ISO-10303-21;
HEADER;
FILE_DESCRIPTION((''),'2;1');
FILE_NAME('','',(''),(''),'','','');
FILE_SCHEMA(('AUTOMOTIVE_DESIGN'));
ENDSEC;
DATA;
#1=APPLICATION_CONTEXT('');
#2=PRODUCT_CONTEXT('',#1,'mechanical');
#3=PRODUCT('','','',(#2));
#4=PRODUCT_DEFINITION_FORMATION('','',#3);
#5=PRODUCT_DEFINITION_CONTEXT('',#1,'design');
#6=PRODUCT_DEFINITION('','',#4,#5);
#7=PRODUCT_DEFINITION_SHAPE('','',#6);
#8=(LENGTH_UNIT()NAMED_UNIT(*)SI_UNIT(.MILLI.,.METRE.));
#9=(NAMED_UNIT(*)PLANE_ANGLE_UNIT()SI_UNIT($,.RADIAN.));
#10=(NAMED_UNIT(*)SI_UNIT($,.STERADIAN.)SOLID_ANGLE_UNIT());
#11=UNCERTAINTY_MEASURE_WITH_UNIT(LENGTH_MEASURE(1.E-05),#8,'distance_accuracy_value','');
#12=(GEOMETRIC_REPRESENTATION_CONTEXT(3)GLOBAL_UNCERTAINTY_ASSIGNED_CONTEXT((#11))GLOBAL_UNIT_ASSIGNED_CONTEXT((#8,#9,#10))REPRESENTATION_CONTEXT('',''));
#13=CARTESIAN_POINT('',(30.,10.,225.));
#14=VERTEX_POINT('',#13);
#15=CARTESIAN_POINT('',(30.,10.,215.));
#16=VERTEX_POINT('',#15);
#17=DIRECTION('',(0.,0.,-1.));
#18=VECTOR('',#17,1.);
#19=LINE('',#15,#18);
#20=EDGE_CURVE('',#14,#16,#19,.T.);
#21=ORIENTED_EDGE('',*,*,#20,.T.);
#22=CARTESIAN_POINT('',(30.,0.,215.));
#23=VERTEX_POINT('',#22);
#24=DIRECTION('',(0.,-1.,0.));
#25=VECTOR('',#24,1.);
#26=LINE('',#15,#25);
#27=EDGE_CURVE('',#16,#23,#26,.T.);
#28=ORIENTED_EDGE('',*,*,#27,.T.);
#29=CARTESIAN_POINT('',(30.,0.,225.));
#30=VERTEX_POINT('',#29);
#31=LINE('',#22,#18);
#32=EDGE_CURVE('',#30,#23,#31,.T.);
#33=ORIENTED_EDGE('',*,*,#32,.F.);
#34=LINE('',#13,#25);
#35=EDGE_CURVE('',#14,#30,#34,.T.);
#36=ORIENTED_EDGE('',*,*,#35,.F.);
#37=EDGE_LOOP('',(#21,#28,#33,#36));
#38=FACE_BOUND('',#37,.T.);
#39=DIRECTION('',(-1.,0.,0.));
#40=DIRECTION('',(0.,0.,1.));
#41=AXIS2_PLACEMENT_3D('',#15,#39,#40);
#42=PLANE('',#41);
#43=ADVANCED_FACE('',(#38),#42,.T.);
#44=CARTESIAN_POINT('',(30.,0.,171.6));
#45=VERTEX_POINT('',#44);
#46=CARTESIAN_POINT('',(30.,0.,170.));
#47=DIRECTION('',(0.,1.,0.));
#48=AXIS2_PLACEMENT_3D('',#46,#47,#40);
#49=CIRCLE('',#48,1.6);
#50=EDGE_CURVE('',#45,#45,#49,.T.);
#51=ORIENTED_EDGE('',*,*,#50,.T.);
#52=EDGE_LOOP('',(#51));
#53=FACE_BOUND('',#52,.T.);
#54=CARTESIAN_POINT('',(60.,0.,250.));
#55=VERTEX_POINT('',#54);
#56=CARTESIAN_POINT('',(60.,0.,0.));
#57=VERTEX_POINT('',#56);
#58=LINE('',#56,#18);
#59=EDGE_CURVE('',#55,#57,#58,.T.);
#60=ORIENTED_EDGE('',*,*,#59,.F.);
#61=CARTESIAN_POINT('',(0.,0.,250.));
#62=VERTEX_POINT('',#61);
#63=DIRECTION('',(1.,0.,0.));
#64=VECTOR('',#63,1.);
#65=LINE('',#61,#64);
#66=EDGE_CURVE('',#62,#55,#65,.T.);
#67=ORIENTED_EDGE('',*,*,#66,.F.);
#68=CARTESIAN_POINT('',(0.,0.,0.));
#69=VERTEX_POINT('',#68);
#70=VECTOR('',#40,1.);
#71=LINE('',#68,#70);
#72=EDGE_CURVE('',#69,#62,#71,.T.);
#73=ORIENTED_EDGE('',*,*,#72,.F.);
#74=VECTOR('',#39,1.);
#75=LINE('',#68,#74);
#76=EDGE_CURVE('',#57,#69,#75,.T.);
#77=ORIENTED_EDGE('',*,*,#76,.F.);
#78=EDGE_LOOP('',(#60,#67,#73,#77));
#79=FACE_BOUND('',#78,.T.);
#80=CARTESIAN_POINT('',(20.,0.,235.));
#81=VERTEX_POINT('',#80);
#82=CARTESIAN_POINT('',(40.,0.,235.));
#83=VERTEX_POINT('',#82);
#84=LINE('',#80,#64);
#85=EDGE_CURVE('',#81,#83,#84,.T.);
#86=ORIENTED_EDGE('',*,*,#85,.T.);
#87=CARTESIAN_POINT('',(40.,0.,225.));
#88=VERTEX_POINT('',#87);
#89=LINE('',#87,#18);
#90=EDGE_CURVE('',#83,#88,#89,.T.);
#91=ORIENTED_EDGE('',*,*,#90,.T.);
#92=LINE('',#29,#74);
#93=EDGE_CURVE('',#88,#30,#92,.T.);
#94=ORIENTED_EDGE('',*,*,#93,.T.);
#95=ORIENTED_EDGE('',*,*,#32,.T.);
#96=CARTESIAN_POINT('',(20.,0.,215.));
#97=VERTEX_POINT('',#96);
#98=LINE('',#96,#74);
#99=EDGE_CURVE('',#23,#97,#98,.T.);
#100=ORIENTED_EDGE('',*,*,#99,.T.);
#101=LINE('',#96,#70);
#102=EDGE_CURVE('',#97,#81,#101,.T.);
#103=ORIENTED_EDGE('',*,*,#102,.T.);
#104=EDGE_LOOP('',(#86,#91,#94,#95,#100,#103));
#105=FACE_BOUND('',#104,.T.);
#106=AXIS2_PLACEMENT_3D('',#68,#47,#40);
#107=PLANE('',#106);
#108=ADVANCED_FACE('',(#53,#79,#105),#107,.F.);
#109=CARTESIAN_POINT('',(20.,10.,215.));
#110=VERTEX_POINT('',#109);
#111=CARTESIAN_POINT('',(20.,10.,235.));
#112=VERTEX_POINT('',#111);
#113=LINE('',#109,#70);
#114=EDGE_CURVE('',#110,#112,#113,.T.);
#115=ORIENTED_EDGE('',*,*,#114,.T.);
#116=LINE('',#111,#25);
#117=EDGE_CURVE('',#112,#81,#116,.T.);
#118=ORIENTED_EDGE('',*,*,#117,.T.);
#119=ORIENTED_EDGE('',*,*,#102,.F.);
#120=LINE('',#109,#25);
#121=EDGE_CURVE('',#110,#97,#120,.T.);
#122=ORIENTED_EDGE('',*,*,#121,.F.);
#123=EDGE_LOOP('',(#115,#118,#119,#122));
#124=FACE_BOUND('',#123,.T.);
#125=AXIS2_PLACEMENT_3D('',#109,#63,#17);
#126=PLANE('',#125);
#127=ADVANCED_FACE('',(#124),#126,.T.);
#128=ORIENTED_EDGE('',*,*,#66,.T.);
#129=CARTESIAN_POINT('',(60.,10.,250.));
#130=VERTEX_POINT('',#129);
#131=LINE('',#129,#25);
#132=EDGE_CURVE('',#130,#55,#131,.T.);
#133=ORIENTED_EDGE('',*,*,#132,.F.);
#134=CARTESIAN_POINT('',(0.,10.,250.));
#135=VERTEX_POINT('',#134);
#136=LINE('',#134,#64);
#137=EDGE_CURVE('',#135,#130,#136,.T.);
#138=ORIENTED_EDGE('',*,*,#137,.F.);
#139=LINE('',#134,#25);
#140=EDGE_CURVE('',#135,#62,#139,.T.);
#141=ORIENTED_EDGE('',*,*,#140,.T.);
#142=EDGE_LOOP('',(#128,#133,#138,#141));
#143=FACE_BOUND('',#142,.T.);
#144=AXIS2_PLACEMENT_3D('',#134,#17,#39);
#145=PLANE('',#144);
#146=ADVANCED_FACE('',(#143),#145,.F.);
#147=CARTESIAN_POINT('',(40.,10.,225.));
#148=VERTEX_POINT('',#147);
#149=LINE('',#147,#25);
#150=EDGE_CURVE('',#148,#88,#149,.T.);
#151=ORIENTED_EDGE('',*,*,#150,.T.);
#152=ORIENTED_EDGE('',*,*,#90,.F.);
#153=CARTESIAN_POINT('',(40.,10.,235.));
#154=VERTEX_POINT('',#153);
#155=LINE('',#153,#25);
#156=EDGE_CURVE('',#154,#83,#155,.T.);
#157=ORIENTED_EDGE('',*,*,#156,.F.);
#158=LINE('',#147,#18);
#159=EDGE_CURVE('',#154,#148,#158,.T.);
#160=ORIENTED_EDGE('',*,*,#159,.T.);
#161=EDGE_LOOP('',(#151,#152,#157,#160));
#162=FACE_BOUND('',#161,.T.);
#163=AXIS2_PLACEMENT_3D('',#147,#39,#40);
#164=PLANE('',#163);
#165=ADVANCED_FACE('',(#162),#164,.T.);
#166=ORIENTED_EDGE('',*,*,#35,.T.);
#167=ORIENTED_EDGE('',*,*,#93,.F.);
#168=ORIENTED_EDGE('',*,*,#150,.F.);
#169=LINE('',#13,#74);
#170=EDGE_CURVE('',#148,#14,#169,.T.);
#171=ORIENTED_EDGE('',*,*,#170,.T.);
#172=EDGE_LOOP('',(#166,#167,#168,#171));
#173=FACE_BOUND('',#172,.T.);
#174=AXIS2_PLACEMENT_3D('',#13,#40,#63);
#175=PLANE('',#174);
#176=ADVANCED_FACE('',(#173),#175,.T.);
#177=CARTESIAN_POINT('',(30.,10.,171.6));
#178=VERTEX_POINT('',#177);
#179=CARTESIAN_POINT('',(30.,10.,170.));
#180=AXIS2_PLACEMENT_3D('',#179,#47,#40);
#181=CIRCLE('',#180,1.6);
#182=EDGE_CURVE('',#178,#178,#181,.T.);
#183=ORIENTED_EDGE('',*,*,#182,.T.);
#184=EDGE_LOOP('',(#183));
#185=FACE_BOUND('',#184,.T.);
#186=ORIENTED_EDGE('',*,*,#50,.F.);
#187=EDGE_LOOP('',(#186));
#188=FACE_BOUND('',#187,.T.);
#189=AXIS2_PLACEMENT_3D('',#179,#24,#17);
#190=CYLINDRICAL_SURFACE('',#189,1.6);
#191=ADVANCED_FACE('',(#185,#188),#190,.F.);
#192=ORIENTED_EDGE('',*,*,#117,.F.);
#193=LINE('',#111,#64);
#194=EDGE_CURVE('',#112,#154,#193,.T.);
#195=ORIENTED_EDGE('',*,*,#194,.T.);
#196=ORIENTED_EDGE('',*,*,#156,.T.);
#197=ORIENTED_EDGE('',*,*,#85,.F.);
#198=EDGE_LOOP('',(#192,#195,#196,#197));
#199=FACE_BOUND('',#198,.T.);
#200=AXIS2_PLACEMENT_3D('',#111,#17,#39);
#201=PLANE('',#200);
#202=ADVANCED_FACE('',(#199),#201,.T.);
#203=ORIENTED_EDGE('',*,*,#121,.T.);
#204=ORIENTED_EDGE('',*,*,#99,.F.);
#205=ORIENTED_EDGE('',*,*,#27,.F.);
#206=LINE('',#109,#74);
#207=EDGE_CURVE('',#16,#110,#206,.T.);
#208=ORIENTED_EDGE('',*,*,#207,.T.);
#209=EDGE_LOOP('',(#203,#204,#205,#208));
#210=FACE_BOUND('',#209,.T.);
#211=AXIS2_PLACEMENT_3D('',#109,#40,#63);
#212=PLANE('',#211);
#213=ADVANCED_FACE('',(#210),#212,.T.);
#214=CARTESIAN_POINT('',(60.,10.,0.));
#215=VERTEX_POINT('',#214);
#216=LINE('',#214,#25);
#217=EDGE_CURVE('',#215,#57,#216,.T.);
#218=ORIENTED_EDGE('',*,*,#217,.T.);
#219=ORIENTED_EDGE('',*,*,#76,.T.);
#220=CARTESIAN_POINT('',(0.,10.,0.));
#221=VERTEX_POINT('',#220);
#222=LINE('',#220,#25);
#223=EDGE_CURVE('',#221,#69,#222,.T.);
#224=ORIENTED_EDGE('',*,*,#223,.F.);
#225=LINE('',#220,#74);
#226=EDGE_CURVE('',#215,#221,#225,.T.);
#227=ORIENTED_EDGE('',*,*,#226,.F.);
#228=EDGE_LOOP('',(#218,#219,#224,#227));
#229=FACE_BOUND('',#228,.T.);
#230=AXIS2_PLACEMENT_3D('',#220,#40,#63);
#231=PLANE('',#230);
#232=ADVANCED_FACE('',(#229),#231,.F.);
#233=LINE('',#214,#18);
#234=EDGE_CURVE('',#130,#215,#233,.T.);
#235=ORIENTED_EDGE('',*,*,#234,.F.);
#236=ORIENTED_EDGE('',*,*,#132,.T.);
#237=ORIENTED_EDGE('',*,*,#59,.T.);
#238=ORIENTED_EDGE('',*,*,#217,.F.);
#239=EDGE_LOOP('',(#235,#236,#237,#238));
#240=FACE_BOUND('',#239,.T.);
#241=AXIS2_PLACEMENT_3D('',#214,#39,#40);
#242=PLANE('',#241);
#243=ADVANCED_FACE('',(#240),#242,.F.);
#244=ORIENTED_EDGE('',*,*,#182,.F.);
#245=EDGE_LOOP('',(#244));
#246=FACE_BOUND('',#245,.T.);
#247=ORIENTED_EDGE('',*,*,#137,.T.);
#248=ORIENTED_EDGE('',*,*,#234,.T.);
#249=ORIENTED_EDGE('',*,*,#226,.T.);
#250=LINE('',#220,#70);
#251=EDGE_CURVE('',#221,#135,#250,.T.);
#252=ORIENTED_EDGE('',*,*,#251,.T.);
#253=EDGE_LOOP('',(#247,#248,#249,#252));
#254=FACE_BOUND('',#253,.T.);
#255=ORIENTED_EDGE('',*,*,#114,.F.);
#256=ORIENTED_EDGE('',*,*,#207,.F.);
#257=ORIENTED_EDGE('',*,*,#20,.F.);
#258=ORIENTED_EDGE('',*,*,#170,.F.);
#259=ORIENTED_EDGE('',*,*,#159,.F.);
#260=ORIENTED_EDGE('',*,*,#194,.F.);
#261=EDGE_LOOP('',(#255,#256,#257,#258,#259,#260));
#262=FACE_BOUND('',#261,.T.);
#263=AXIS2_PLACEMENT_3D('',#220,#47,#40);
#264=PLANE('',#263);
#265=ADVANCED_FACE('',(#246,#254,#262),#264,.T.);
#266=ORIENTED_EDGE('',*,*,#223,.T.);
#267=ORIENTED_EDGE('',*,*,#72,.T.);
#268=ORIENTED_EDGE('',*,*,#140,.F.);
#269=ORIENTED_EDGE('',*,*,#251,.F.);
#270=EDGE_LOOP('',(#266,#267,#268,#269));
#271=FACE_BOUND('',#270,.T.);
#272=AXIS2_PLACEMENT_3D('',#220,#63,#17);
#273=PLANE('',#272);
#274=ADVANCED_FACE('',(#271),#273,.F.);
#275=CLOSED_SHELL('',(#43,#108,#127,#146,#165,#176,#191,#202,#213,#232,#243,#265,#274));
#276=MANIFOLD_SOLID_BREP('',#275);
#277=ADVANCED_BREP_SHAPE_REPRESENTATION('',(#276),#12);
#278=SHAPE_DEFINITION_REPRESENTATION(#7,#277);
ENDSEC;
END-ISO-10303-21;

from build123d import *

# Parameters (mm, degrees)
SKETCH1_W           = 60
SKETCH1_H           = 250
SKETCH1_R           = 1.6
BOSS_EXTRUDE1_DEPTH = 10


with BuildPart() as part:
    # Sketch1 → Boss-Extrude1 (new body)
    with BuildSketch(Plane(origin=(0, 0, 0), x_dir=(1, 0, 0), z_dir=(0, 1, 0))):
        with Locations((30, -125)):
            Rectangle(SKETCH1_W, SKETCH1_H)
        with Locations(Location((30, -170, 0), (0, 0, 270))):
            Circle(SKETCH1_R, mode=Mode.SUBTRACT)
        Polygon((20, -215), (20, -235), (40, -235), (40, -225), (30, -225), (30, -215), align=None, mode=Mode.SUBTRACT)
    extrude(amount=BOSS_EXTRUDE1_DEPTH)


solid = part.part
